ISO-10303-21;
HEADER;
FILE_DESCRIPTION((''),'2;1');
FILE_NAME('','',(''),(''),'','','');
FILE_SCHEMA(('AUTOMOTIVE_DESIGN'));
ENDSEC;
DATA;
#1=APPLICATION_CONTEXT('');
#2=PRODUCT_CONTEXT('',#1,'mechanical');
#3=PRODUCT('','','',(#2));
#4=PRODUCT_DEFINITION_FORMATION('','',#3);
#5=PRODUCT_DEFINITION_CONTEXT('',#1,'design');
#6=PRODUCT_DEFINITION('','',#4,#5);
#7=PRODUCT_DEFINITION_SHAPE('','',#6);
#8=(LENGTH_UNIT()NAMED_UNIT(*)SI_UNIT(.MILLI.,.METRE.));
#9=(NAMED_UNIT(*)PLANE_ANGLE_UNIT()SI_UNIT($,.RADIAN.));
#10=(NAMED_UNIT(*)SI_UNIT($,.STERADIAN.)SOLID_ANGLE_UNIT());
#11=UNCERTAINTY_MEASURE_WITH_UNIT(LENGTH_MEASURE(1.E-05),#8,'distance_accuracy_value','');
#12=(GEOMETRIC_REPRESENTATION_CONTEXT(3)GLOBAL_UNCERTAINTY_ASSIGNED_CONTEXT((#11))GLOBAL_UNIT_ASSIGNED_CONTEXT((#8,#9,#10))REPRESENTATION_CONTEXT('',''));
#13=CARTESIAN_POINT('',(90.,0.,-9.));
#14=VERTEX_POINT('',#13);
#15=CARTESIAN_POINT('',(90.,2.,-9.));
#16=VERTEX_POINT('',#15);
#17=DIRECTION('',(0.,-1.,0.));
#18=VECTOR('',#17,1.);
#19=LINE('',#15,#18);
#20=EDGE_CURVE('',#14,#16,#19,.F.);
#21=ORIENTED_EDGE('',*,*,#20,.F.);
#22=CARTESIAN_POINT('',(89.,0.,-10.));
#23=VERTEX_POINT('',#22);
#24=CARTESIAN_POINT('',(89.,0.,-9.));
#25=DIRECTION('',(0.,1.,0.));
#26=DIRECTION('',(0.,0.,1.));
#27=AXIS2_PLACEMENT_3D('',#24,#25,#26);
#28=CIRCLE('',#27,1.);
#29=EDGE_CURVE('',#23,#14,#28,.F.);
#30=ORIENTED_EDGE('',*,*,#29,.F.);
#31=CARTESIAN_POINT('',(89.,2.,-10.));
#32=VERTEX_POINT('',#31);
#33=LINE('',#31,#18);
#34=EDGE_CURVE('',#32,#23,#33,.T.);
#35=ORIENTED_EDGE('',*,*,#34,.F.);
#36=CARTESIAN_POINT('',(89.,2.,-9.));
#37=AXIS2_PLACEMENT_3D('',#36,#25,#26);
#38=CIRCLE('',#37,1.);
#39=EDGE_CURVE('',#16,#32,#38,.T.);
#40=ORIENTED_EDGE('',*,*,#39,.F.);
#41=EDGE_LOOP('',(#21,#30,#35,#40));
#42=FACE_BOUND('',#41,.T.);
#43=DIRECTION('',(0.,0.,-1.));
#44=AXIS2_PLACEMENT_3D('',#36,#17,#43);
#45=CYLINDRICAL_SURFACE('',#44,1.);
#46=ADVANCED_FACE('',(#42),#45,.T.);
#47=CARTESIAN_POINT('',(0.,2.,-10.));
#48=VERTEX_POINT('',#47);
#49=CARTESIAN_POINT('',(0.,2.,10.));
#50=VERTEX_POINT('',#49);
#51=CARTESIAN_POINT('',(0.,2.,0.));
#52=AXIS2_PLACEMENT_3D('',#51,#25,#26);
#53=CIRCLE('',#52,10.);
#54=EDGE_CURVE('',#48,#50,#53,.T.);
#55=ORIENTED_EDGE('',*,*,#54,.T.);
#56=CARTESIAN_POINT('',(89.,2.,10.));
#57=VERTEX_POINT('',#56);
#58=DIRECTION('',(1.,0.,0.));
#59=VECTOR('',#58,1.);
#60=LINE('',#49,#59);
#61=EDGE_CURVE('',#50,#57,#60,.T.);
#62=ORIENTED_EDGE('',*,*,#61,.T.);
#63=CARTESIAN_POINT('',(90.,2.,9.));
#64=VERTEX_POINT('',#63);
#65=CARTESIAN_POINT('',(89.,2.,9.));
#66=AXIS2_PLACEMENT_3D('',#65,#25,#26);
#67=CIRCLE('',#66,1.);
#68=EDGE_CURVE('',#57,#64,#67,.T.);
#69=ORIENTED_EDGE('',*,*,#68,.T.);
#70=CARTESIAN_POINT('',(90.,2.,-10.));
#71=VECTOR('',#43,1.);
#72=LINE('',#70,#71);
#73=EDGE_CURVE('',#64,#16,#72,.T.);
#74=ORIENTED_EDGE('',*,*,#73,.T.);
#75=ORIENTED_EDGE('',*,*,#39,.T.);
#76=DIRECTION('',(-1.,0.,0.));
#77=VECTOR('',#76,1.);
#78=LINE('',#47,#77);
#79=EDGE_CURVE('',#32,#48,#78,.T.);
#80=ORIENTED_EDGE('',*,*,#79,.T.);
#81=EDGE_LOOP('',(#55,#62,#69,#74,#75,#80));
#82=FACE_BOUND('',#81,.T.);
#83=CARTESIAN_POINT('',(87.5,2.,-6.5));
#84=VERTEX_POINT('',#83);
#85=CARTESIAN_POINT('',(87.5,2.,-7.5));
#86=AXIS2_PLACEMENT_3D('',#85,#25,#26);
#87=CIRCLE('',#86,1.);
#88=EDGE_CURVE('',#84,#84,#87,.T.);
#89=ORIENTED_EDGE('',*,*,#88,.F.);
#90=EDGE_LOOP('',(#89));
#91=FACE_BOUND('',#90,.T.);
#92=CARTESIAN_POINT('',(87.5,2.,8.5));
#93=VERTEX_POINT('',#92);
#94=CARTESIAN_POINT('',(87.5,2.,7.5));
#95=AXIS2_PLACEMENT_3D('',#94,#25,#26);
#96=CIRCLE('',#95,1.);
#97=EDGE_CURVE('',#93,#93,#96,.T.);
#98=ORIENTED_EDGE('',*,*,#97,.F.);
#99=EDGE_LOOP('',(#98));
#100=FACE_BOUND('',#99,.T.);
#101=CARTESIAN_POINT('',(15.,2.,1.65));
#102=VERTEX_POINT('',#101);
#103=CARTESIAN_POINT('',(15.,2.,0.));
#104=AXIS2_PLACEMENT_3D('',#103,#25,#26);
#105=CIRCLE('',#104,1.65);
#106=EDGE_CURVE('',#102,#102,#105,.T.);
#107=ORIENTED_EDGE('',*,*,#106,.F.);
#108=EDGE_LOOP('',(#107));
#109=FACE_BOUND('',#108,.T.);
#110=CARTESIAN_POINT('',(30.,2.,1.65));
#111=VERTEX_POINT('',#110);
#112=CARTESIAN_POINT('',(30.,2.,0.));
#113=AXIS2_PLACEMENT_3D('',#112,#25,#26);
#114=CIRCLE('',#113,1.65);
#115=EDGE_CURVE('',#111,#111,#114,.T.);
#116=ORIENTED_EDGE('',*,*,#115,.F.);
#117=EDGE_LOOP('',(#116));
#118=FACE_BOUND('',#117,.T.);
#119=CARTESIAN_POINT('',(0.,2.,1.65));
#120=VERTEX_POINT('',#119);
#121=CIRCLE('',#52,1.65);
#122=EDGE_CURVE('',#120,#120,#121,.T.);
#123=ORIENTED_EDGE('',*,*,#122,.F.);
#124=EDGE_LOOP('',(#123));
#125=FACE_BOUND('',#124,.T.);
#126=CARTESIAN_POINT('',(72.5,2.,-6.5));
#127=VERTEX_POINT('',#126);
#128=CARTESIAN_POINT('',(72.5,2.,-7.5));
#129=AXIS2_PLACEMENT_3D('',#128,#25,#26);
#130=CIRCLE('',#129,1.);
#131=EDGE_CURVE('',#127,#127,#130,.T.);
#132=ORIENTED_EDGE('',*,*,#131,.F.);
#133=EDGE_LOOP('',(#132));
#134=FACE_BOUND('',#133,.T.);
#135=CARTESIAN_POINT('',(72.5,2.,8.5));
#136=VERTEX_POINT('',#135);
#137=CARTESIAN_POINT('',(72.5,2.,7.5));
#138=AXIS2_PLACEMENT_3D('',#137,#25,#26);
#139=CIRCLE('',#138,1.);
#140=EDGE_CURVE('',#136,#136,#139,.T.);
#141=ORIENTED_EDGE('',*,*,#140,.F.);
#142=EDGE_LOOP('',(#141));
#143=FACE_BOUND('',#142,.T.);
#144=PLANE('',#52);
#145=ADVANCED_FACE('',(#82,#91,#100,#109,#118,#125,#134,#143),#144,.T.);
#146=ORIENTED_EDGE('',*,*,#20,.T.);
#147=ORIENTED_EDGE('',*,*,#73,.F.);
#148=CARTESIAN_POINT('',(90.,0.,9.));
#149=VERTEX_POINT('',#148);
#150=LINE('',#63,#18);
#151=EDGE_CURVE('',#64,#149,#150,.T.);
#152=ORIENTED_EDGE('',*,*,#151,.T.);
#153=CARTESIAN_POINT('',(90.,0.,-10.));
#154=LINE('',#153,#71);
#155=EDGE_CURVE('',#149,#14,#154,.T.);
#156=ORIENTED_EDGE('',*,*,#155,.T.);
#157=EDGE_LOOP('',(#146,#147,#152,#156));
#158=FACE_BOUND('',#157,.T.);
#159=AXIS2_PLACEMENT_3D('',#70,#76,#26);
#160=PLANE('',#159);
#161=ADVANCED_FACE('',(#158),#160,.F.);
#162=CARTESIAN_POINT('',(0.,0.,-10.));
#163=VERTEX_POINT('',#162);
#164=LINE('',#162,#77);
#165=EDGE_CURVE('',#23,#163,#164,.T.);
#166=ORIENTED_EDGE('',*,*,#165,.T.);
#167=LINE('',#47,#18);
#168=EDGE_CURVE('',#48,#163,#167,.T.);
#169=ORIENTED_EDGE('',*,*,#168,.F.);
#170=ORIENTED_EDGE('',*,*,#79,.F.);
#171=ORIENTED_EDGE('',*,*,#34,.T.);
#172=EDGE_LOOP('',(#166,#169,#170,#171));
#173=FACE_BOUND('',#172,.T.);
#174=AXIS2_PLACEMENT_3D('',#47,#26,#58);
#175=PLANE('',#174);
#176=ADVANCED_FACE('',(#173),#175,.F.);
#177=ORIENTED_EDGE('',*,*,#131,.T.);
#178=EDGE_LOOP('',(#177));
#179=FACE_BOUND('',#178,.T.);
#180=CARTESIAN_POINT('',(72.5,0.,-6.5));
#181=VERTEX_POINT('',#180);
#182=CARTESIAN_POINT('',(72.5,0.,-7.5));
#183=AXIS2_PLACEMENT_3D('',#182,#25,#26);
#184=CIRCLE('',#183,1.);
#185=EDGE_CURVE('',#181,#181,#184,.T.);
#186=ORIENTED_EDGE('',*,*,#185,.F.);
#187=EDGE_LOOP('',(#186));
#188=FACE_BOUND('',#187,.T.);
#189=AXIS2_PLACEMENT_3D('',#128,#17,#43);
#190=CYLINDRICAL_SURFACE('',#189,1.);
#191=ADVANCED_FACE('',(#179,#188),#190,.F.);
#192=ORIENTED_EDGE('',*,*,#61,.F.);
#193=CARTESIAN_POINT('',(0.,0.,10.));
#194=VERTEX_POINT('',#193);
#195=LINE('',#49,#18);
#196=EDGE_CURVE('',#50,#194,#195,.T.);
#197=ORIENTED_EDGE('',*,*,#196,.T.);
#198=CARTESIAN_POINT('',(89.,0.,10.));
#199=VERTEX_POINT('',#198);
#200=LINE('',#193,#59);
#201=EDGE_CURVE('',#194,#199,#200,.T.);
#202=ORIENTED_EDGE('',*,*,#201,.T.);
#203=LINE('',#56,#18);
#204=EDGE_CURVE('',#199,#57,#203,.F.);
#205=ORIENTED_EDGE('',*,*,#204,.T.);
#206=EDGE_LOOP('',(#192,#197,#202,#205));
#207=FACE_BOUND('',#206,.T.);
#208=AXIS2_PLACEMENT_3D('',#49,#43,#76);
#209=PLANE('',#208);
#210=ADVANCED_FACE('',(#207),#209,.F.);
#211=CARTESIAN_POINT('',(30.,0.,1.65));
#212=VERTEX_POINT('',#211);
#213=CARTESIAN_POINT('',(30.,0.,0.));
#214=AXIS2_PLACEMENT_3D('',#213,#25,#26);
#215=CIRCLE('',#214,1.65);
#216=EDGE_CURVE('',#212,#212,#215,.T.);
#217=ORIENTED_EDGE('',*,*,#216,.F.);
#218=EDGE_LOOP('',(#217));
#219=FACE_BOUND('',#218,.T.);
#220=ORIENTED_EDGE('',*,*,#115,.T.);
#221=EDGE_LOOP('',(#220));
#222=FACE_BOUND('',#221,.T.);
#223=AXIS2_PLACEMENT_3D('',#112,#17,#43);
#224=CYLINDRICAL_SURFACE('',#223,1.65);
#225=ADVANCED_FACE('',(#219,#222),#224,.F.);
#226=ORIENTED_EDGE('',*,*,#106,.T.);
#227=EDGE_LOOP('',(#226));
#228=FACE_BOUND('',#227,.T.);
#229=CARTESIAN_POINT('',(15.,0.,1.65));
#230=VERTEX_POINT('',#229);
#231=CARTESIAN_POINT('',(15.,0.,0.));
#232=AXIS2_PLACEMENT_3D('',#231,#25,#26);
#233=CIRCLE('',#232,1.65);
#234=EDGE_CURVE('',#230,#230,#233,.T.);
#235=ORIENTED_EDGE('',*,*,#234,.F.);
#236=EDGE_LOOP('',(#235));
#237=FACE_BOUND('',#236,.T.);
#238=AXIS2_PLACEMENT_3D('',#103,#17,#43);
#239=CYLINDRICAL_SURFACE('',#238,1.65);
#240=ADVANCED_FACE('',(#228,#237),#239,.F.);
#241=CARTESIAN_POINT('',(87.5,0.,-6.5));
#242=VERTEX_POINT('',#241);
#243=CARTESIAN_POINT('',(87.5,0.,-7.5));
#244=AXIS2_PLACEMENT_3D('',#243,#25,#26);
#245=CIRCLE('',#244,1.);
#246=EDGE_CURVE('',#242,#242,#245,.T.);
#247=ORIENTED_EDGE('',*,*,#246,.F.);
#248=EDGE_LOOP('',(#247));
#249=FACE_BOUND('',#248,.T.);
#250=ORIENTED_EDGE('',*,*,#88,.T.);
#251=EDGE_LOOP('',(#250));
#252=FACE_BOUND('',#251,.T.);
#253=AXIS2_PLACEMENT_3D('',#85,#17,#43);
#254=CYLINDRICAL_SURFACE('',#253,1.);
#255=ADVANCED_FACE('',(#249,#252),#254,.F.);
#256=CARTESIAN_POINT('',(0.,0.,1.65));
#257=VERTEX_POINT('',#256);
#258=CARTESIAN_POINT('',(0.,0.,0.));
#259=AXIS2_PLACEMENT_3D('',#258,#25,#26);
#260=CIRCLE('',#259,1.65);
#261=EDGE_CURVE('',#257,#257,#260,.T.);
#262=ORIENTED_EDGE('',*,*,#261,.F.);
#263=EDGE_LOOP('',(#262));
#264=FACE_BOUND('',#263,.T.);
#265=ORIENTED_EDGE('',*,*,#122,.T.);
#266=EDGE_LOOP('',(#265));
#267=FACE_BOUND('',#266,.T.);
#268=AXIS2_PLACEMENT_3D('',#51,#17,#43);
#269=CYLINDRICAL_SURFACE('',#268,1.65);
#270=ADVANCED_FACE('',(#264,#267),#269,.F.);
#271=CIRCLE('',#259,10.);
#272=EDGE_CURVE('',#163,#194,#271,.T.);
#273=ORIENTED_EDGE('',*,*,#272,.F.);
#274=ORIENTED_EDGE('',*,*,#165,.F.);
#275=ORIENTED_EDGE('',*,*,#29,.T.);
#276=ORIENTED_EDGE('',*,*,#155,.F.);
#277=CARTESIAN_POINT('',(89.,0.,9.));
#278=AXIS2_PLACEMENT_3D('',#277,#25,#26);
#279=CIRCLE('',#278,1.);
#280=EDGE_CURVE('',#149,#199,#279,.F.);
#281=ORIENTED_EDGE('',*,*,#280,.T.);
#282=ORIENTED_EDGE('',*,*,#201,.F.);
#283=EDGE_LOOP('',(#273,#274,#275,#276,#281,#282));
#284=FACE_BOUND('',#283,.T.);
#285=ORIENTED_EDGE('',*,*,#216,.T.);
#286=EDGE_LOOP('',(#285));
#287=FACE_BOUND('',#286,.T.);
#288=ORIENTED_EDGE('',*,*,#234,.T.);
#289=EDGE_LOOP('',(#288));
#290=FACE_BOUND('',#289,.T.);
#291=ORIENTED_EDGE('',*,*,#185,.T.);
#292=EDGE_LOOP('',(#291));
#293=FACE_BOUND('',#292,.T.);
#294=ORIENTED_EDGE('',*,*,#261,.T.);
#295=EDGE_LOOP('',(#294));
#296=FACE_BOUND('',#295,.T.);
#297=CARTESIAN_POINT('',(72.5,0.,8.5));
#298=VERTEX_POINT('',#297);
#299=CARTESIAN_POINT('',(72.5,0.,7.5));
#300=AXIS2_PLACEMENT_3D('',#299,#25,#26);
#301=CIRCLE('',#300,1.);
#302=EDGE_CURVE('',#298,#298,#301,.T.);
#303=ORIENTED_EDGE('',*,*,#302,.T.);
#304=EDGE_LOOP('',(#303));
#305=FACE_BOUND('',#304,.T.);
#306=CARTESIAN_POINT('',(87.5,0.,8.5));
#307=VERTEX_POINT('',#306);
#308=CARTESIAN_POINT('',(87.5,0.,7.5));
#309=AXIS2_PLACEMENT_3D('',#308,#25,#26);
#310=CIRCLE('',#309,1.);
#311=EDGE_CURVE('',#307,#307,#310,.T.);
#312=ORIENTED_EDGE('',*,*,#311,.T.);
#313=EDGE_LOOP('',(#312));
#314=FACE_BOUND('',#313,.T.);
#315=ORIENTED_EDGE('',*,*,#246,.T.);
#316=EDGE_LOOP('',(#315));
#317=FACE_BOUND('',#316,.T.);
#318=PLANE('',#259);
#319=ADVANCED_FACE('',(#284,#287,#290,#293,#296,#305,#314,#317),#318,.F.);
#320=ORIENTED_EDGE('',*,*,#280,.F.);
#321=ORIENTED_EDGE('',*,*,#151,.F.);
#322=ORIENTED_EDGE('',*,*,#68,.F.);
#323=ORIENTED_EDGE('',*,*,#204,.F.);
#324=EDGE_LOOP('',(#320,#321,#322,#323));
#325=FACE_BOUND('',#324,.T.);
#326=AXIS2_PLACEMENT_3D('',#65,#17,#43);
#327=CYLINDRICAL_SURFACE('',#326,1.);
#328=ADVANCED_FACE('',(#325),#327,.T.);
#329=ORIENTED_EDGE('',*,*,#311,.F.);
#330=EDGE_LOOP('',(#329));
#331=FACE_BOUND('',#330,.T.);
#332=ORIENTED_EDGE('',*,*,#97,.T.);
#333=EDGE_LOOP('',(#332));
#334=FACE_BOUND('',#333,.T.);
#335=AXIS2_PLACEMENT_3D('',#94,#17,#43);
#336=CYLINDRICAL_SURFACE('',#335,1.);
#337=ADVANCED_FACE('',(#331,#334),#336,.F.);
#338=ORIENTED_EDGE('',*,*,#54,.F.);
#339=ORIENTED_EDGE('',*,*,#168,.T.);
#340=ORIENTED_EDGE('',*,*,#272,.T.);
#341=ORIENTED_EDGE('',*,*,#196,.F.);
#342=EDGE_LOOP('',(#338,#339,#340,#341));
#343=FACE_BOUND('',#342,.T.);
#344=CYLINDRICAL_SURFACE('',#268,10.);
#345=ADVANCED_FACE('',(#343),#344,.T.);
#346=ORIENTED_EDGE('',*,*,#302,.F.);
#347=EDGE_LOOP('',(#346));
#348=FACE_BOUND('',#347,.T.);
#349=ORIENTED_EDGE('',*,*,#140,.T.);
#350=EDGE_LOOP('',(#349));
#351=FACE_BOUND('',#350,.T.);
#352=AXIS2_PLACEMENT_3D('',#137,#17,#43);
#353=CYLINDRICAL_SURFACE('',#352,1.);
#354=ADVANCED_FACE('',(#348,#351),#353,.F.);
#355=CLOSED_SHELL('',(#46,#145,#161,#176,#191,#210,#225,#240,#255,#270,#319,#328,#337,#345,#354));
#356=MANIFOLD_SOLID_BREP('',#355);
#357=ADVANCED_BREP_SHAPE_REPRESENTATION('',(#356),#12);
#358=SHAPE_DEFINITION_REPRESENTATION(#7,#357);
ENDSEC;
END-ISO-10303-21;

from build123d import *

# Parameters (mm, degrees)
SKETCH_1_R      = 1.65
SKETCH_1_R_2    = 1
EXTRUDE_1_DEPTH = 2
FILLET_1_R      = 1


with BuildPart() as part:
    # Эскиз1 → Бобышка-Вытянуть1 (new body)
    with BuildSketch(Plane(origin=(0, 0, 0), x_dir=(1, 0, 0), z_dir=(0, 1, 0))):
        with BuildLine():
            Line((0, 10), (90, 10))
            Line((90, 10), (90, -10))
            Line((90, -10), (0, -10))
            ThreePointArc((0, -10), (-10, 0), (0, 10))
        make_face()
        with Locations(Location((30, 0, 0), (0, 0, 270))):
            Circle(SKETCH_1_R, mode=Mode.SUBTRACT)
        with Locations(Location((0, 0, 0), (0, 0, 270))):
            Circle(SKETCH_1_R, mode=Mode.SUBTRACT)
        with Locations(Location((15, 0, 0), (0, 0, 270))):
            Circle(SKETCH_1_R, mode=Mode.SUBTRACT)
        with Locations(Location((87.5, 7.5, 0), (0, 0, 270))):
            Circle(SKETCH_1_R_2, mode=Mode.SUBTRACT)
        with Locations(Location((72.5, 7.5, 0), (0, 0, 270))):
            Circle(SKETCH_1_R_2, mode=Mode.SUBTRACT)
        with Locations(Location((87.5, -7.5, 0), (0, 0, 270))):
            Circle(SKETCH_1_R_2, mode=Mode.SUBTRACT)
        with Locations(Location((72.5, -7.5, 0), (0, 0, 270))):
            Circle(SKETCH_1_R_2, mode=Mode.SUBTRACT)
    extrude(amount=EXTRUDE_1_DEPTH)

    # Скругление1
    fillet_1_edges = [part.edges().sort_by_distance(p)[0] for p in [
        (90, 1, -10),
        (90, 1, 10),
    ]]
    fillet(fillet_1_edges, radius=FILLET_1_R)


solid = part.part
